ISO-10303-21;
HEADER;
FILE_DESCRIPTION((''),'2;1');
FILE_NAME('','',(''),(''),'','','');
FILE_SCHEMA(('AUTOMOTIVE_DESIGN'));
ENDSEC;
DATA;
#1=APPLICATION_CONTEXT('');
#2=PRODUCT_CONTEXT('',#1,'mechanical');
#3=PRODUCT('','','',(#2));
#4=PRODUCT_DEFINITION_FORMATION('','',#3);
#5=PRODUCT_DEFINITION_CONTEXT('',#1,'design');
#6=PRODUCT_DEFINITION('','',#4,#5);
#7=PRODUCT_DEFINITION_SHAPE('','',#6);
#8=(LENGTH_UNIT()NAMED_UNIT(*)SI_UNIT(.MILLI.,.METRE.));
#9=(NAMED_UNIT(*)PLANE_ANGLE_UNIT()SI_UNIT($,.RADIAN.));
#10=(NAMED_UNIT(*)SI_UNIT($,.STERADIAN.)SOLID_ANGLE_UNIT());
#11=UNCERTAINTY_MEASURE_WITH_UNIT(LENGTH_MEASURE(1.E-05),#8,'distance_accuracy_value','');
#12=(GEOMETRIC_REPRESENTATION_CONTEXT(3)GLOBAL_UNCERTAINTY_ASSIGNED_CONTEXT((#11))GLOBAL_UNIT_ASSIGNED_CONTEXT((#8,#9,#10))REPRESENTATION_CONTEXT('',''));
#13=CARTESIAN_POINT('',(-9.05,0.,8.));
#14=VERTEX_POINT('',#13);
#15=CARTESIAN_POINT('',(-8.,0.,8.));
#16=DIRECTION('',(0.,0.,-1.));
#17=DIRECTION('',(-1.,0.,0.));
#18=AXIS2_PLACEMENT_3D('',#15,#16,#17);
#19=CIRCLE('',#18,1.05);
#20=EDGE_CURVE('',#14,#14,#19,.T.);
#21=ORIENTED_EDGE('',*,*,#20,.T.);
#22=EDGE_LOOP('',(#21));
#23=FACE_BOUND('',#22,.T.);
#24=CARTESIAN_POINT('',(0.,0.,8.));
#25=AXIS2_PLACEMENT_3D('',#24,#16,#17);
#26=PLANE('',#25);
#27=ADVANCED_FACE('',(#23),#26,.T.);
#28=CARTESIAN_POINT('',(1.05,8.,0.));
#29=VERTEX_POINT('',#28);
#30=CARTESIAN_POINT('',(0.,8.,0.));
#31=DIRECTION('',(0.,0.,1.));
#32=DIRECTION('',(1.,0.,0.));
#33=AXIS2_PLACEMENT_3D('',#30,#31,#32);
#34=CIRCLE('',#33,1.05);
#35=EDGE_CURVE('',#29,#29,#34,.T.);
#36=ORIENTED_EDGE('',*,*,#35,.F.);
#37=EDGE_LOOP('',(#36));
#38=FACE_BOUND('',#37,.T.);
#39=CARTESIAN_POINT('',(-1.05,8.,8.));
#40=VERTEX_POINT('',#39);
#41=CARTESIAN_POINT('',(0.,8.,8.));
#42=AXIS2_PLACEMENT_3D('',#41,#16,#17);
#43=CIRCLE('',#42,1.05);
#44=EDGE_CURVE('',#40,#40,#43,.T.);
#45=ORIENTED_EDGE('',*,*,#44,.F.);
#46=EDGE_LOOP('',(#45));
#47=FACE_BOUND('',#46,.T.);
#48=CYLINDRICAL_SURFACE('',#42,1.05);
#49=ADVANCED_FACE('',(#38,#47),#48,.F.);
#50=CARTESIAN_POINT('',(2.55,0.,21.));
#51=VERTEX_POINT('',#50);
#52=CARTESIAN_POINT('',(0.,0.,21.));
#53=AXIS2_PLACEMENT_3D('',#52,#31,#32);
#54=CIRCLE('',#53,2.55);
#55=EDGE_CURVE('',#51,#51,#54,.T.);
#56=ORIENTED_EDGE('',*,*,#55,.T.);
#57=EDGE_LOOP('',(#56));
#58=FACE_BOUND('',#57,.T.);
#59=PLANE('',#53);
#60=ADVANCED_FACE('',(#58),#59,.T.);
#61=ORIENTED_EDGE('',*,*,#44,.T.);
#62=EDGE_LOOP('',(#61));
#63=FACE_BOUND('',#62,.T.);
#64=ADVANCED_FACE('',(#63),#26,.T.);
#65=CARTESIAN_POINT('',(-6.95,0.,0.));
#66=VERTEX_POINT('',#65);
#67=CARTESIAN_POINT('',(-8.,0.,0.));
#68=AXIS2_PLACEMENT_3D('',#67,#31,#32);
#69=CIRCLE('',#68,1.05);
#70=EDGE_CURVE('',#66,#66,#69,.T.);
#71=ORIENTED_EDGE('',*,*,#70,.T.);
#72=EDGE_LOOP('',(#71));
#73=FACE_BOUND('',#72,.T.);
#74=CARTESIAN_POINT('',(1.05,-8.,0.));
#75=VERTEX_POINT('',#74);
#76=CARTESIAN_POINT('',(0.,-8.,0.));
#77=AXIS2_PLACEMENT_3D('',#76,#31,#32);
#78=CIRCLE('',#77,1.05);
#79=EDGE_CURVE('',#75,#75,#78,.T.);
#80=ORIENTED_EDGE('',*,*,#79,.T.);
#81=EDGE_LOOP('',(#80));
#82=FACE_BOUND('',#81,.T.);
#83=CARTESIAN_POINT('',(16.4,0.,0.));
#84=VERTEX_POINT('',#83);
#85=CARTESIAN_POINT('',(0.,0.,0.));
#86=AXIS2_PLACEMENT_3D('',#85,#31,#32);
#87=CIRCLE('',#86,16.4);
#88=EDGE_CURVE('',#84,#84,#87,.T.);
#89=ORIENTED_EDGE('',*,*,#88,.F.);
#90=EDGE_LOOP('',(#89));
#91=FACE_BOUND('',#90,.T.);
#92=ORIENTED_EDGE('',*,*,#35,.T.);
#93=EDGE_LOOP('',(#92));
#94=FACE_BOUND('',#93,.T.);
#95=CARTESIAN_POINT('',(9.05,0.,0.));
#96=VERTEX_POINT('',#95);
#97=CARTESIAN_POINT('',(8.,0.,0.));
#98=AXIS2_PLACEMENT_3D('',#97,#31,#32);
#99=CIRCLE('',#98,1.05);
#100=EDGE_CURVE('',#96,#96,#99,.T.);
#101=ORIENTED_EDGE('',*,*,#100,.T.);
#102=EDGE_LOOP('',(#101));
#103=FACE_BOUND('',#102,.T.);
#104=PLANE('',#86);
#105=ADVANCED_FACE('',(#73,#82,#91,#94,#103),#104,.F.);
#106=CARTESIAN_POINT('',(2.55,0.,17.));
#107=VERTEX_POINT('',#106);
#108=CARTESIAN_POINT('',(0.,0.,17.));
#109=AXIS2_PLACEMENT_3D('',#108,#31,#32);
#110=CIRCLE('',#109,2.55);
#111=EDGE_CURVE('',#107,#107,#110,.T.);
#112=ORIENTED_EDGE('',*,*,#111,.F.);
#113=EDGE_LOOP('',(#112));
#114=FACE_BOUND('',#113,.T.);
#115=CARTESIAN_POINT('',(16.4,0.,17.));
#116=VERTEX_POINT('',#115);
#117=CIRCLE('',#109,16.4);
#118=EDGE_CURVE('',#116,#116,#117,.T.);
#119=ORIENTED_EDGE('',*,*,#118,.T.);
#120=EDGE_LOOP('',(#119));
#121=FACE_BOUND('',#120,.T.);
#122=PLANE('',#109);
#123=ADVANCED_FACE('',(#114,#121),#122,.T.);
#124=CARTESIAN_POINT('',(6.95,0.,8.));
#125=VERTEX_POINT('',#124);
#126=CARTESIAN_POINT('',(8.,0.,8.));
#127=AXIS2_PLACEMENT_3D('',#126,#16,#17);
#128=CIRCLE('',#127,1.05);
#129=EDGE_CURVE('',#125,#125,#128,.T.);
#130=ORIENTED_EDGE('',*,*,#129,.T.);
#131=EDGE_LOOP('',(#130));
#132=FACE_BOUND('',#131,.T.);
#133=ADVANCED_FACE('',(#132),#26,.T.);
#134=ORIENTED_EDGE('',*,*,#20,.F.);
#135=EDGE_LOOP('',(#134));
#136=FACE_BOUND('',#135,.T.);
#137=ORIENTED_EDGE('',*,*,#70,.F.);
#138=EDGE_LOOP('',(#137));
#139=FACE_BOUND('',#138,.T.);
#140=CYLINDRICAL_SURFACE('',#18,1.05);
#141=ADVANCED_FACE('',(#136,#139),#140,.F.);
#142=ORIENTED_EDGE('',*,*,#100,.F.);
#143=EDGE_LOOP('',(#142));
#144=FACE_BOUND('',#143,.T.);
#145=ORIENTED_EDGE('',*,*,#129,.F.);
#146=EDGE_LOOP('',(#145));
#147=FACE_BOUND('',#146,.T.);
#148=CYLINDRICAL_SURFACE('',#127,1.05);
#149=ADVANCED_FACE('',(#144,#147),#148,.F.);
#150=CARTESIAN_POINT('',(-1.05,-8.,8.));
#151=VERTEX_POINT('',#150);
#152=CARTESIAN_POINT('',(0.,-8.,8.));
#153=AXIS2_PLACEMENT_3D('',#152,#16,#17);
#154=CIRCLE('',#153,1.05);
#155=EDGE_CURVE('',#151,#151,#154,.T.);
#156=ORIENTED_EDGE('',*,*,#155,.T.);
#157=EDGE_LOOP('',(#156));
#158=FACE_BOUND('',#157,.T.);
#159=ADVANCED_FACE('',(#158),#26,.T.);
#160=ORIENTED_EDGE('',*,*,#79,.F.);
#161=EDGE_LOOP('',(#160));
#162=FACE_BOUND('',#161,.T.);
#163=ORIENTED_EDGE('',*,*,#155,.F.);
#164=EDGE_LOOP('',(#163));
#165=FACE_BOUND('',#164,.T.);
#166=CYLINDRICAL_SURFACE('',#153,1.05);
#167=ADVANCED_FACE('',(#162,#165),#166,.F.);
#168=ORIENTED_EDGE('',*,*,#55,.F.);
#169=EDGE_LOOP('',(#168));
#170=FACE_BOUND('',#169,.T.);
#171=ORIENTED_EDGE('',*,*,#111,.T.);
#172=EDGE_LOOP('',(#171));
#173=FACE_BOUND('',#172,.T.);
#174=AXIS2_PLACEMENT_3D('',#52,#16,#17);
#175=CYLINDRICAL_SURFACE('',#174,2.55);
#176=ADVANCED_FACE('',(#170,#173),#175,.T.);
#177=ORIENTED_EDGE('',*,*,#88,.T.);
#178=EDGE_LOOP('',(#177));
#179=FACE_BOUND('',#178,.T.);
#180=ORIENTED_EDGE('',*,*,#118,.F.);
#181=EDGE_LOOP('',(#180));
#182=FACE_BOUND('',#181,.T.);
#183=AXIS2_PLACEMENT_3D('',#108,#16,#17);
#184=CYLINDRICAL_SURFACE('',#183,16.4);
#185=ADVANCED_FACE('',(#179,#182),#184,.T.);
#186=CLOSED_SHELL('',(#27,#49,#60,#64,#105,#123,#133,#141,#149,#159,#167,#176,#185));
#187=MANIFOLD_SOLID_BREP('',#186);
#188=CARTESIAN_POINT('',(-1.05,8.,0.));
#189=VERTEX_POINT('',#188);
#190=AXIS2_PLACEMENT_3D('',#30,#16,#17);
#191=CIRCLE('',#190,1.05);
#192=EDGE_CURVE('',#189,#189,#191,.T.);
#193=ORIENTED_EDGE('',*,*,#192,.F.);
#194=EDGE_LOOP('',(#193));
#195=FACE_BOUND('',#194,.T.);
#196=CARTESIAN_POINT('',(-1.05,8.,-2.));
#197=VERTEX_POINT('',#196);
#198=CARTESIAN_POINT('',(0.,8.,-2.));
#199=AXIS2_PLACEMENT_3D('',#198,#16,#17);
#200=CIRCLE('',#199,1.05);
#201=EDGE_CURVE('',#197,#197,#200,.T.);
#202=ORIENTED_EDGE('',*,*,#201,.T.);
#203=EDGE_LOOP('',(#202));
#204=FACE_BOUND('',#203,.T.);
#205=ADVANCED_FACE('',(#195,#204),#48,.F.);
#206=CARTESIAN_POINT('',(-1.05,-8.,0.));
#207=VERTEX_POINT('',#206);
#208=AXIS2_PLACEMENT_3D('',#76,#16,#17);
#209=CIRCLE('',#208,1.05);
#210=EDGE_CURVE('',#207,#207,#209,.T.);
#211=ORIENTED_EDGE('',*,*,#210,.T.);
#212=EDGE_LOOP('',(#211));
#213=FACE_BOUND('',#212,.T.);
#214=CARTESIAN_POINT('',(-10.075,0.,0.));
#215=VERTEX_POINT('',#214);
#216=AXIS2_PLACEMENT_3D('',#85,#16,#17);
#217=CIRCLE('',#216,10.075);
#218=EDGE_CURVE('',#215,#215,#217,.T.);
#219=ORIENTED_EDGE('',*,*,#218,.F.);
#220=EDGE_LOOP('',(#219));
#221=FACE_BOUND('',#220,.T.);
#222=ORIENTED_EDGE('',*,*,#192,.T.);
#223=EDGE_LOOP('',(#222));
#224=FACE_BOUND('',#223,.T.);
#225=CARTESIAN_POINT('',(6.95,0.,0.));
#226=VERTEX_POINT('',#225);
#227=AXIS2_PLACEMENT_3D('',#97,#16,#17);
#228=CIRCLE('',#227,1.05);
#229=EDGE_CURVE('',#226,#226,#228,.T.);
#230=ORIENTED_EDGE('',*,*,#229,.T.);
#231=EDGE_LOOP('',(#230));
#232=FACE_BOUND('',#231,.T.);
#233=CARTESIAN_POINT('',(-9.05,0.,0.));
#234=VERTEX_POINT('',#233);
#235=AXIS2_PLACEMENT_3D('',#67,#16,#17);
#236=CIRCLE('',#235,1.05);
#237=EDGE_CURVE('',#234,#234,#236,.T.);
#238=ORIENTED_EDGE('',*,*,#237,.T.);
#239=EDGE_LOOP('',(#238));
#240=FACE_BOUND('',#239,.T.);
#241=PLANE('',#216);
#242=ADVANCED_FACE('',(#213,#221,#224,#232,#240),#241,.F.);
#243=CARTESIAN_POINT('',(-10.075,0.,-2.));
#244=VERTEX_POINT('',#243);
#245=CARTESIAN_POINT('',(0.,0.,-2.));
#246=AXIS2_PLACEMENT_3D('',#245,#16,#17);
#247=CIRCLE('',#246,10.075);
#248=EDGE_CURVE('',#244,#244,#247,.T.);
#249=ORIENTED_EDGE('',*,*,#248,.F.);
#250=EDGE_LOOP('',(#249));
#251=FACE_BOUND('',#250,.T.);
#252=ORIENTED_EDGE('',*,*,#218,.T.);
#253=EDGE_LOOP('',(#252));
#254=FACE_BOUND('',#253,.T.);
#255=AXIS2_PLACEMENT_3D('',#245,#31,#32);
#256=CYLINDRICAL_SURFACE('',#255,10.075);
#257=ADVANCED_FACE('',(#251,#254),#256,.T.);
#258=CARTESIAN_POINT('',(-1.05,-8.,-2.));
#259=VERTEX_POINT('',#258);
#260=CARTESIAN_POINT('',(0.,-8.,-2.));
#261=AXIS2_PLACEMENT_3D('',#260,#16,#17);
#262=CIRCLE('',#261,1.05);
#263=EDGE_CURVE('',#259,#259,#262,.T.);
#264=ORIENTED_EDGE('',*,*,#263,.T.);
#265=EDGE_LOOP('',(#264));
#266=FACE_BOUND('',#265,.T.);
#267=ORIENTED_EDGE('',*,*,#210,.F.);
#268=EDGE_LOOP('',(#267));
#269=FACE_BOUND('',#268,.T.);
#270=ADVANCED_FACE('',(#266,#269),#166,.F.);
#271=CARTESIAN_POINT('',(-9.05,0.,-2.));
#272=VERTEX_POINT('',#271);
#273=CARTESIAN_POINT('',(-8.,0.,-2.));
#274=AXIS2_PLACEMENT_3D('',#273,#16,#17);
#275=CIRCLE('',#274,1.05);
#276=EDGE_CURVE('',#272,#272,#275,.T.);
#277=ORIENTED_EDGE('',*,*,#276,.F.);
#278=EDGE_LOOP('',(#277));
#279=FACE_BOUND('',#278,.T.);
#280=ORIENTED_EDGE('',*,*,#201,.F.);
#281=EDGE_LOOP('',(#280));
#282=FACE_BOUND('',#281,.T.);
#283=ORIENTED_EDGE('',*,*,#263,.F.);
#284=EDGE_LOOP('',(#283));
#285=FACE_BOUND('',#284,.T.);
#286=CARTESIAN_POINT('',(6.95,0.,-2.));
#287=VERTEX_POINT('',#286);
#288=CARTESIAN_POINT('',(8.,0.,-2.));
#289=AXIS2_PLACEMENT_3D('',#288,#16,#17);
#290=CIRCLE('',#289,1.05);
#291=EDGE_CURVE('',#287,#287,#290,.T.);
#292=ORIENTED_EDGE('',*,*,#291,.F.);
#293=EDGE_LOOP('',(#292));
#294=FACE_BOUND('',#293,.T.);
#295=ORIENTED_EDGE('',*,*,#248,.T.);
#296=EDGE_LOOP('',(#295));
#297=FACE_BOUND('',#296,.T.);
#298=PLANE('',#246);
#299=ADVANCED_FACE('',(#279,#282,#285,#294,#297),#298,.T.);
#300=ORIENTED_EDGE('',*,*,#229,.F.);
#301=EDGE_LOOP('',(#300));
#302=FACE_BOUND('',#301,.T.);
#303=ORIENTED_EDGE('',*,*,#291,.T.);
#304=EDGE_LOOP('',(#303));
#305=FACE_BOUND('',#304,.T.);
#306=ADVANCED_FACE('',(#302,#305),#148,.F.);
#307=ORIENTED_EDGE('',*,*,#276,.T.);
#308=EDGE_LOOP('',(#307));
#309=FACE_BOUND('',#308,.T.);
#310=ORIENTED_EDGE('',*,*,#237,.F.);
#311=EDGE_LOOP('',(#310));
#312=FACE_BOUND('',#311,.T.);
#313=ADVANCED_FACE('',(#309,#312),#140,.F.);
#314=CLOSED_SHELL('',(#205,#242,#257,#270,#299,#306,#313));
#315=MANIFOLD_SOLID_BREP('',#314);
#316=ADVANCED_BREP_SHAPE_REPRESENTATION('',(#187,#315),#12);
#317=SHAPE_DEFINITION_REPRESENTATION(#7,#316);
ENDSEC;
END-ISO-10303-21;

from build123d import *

# Parameters (mm, degrees)
SKETCH_1_R          = 16.4
EXTRUDE_1_DEPTH     = 17
SKETCH_2_R          = 2.55
EXTRUDE_2_DEPTH     = 4
SKETCH_3_R          = 10.075
EXTRUDE_3_DEPTH     = 2
SKETCH_7_R          = 1.05
CUT_EXTRUDE_3_DEPTH = 10


with BuildPart() as part:
    # 草图1 → 凸台-拉伸1 (new body)
    with BuildSketch(Plane.XY):
        Circle(SKETCH_1_R)
    extrude(amount=EXTRUDE_1_DEPTH)

    # 草图2 → 凸台-拉伸2 (add)
    with BuildSketch(Plane.XY.offset(17)):
        Circle(SKETCH_2_R)
    extrude(amount=EXTRUDE_2_DEPTH)


with BuildPart() as body_2:
    # 草图3 → 凸台-拉伸3 (new body)
    with BuildSketch(Plane(origin=(0, 0, 0), x_dir=(-1, 0, 0), z_dir=(0, 0, -1))):
        Circle(SKETCH_3_R)
    extrude(amount=EXTRUDE_3_DEPTH)


with BuildPart() as cut_extrude_3_tool:
    # 草图7 → 切除-拉伸3 (new body)
    with BuildSketch(Plane(origin=(0, 0, -2), x_dir=(-1, 0, 0), z_dir=(0, 0, -1))):
        with Locations((0, 8)):
            Circle(SKETCH_7_R)
        with Locations((8, 0)):
            Circle(SKETCH_7_R)
        with Locations((0, -8)):
            Circle(SKETCH_7_R)
        with Locations((-8, 0)):
            Circle(SKETCH_7_R)
    extrude(amount=-CUT_EXTRUDE_3_DEPTH)


with BuildPart() as part_1:
    add(part.part)

    # 切除-拉伸3: cut by cut_extrude_3_tool
    add(cut_extrude_3_tool.part, mode=Mode.SUBTRACT)


with BuildPart() as body_2_1:
    add(body_2.part)

    # 切除-拉伸3: cut by cut_extrude_3_tool
    add(cut_extrude_3_tool.part, mode=Mode.SUBTRACT)


solid = Compound([part_1.part, body_2_1.part])
